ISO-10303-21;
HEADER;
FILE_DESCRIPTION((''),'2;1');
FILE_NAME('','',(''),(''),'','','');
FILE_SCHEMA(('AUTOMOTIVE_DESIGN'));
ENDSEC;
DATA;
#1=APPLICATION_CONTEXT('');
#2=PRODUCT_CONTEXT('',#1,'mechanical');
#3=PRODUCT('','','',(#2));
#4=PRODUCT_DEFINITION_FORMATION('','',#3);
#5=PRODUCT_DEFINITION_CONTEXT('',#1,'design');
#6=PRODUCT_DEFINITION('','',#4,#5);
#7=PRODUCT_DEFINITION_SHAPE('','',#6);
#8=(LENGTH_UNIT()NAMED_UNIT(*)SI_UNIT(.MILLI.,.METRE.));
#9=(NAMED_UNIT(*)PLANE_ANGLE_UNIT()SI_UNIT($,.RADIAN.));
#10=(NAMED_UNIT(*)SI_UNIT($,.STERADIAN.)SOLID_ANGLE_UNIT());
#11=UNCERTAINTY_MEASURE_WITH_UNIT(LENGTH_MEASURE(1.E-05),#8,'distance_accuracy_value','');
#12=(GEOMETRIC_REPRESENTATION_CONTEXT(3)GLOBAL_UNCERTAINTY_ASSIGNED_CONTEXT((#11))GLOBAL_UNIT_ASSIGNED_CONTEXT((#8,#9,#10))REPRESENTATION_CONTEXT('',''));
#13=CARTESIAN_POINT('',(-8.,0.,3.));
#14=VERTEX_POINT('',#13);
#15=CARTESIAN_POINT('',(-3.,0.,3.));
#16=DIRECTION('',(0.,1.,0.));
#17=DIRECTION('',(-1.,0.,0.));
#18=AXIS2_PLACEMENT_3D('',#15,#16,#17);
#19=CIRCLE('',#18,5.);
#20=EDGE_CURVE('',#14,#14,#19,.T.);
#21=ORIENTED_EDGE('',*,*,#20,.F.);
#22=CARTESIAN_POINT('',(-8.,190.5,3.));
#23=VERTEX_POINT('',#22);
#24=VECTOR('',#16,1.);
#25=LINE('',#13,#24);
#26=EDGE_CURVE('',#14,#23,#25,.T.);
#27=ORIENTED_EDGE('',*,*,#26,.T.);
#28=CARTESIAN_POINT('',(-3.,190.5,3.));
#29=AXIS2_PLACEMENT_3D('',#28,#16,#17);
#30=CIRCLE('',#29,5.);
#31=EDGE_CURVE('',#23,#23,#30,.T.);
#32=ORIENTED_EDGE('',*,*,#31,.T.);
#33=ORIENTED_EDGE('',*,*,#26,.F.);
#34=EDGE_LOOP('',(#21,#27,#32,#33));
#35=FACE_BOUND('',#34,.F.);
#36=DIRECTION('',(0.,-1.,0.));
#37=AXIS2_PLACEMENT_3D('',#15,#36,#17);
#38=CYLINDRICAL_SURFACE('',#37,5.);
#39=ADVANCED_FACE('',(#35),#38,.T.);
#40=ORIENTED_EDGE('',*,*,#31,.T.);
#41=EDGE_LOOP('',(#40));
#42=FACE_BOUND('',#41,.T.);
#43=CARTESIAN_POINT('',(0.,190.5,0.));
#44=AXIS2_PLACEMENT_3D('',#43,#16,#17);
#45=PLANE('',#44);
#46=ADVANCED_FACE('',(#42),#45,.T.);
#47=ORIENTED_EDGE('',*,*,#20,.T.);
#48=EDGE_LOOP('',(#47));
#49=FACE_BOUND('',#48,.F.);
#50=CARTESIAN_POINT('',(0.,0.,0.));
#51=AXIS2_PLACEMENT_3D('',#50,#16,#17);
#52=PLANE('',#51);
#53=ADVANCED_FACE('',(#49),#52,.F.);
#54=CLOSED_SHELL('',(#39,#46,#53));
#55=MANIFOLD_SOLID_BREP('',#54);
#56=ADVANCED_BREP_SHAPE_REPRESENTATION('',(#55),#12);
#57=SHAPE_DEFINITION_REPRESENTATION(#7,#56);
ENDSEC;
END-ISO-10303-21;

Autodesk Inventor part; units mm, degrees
ref_plane "YZ Plane" through (0, 0, 0) normal (1, 0, 0) x (0, 1, 0)
ref_plane "XZ Plane" through (0, 0, 0) normal (0, 1, 0) x (-1, 0, 0)
ref_plane "XY Plane" through (0, 0, 0) normal (0, 0, 1) x (1, 0, 0)
sketch "Boceto1" plane through (0, 0, 0) normal (0, 1, 0) x (-1, 0, 0)
  line L0 (0.5, 0) -> (-0.375, 0)
  line L1 (0.125, 0.5) -> (0.125, 2.675)
  line L2 (-0.375, 3.175) -> (0.5, 3.175)
  line L3 (0, 2.675) -> (0, 0.5)
  circle A0 centre (3, 3) radius 5
  arc A1 (0.125, 2.675) -> (-0.375, 3.175) centre (-0.375, 2.675) ccw
  arc A2 (0, 0.5) -> (0.5, 0) centre (0.5, 0.5) ccw
  arc A3 (-0.375, 0) -> (0.125, 0.5) centre (-0.375, 0.5) ccw
  arc A4 (0.5, 3.175) -> (0, 2.675) centre (0.5, 2.675) ccw
  point P0 (0, 0)
  point P1 (0.125, 3.175)
  point P2 (0.125, 0)
  point P3 (0, 3.175)
  point P4 (0.0625, 2.9171)
  point P5 (0.0625, 0.2579)
  dimension "d0" = 0.125
  dimension "d1" = 3.175
  dimension "d4" = 10
  dimension "d5" = 0.5
  dimension "d6" = 0.5
  dimension "d7" = 0.5
  dimension "d8" = 0.5
extrude "Extrusión1" add sketch "Boceto1" along normal blind 190.5 contours A1 L2 A4 | A2 L3 A4 A1 L1 A3 | L0 A3 A2 | A0
properties part number "Separador largo"
